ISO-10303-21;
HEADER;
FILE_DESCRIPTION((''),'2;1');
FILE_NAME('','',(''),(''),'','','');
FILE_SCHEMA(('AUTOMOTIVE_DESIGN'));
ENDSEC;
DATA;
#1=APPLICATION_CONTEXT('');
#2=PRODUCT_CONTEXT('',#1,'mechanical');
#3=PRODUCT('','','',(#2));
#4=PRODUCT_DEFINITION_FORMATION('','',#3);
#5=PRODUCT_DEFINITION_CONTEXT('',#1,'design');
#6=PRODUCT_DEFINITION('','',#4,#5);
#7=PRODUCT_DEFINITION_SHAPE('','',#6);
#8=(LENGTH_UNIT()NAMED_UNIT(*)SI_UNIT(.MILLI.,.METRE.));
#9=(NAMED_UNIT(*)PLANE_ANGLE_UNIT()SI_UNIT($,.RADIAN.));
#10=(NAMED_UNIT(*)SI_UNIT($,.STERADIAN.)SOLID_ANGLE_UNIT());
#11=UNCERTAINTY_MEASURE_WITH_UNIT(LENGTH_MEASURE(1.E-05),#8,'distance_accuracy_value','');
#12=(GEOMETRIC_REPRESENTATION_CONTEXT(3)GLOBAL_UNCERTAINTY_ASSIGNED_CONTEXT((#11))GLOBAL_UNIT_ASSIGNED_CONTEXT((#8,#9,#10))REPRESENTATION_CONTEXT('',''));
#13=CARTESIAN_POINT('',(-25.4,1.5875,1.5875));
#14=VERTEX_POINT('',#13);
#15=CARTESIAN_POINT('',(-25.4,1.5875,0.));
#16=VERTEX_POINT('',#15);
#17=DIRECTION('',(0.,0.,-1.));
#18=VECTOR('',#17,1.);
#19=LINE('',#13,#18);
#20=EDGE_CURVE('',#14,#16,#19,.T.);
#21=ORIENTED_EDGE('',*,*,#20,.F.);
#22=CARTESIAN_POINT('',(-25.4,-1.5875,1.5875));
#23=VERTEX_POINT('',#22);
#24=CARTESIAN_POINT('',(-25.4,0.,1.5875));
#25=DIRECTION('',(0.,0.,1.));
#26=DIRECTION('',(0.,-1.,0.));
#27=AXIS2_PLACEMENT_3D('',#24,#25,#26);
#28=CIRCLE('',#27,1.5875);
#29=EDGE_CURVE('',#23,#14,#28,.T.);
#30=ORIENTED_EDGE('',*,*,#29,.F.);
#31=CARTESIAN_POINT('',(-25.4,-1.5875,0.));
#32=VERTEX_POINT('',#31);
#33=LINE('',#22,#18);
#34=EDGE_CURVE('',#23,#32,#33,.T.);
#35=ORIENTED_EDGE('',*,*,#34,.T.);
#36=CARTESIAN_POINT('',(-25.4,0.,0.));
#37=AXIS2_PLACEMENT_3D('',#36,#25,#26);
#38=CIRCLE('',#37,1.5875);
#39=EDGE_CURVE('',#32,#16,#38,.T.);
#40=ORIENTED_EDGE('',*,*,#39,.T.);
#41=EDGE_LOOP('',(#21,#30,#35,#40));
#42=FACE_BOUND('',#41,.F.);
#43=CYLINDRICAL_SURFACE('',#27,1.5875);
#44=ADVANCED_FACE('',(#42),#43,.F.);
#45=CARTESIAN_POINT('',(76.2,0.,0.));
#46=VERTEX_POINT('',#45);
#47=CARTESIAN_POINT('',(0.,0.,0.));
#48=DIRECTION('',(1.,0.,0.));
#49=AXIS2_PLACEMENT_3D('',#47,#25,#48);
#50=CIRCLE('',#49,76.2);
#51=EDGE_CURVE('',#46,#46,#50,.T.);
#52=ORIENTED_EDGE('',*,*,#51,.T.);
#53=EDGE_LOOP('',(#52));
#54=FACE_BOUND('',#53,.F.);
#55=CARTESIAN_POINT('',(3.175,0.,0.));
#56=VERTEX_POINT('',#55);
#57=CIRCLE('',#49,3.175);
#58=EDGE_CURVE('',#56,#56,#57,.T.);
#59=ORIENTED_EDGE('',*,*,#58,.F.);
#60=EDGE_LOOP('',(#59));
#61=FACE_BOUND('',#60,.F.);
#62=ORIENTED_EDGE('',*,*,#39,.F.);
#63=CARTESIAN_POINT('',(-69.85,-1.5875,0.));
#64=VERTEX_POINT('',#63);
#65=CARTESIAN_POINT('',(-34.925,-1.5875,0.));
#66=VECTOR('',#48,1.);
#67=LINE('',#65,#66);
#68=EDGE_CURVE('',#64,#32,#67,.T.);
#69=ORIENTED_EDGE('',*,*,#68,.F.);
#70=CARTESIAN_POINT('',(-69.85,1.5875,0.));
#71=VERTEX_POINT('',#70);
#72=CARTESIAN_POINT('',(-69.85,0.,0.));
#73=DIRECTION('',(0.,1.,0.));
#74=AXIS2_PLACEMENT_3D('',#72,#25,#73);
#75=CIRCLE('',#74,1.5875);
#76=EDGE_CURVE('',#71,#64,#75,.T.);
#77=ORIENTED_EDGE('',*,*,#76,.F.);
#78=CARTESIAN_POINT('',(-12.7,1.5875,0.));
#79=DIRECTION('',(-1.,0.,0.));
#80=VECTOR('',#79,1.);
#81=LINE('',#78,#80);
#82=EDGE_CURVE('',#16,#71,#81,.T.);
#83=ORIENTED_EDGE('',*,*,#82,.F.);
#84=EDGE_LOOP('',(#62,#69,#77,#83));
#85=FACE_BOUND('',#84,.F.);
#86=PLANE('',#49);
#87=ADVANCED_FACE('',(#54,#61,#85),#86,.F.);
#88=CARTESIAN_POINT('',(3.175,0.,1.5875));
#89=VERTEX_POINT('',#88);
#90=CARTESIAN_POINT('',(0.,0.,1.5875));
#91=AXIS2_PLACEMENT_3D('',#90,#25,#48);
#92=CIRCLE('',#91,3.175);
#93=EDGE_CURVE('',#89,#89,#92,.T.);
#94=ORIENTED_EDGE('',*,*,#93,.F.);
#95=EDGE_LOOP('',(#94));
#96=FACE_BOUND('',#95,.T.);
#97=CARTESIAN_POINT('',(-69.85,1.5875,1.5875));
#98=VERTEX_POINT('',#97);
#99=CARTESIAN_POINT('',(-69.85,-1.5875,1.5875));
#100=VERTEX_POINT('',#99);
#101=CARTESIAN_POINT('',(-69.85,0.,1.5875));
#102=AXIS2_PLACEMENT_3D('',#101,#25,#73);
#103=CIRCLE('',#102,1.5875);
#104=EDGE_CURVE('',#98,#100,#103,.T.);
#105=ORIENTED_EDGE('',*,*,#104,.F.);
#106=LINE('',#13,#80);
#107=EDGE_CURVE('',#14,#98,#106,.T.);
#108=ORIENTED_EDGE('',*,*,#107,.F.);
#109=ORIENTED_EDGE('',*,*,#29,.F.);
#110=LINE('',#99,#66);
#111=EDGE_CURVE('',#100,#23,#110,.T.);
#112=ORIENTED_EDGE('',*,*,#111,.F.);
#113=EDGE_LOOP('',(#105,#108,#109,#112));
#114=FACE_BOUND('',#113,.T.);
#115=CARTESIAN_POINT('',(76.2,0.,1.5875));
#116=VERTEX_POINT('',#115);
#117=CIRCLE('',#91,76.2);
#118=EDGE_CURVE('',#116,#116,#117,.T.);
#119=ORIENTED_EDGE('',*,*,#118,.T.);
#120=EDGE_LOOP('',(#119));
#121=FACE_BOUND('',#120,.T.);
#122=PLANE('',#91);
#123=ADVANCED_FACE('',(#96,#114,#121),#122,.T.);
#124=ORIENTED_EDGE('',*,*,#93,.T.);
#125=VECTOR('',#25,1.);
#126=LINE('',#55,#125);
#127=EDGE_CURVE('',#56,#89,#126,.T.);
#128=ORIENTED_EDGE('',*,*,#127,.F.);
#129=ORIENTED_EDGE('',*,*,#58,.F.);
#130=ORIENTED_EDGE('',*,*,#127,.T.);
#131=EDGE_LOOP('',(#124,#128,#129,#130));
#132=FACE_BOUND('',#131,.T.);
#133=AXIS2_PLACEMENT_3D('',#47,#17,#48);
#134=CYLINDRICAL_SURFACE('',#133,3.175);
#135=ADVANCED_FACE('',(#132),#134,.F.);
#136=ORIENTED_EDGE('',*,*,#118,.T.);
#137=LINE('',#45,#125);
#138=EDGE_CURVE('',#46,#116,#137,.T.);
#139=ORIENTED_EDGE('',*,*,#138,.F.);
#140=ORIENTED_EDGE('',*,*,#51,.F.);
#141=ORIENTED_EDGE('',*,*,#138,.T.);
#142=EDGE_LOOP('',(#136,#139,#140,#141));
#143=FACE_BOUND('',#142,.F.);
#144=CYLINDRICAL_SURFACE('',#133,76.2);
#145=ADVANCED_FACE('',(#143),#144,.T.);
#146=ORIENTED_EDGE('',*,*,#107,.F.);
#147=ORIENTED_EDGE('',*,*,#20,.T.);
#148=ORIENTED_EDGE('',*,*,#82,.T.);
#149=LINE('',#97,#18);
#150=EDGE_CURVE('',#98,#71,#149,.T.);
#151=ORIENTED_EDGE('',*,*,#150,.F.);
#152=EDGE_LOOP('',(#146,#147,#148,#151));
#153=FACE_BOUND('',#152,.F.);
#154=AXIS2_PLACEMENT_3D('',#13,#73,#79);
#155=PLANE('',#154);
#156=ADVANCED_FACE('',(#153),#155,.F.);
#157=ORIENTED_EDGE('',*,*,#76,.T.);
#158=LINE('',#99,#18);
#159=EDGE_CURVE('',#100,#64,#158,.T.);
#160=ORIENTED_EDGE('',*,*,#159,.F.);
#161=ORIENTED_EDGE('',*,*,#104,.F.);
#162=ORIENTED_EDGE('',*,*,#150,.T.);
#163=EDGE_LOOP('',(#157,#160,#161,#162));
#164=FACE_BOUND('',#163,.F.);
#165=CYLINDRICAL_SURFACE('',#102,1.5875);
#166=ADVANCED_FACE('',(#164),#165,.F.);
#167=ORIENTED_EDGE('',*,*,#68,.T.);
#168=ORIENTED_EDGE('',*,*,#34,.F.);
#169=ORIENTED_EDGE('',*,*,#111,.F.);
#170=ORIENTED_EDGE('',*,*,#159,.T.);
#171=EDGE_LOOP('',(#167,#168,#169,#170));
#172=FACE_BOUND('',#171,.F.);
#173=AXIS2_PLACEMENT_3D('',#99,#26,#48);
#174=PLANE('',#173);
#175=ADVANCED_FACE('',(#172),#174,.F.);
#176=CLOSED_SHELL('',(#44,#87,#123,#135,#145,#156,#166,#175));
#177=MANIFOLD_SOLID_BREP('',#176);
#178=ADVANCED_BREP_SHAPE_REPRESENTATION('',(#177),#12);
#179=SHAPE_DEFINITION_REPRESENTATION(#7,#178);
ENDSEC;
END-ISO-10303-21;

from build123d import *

# Parameters (mm, degrees)
F0_R     = 76.2
F0_R_2   = 3.175
F1_DEPTH = 1.5875
F3_DEPTH = 25.4


with BuildPart() as f1:
    # F0 (on Top) → F1 (new body)
    with BuildSketch(Plane.XY):
        Circle(F0_R)
        Circle(F0_R_2, mode=Mode.SUBTRACT)
    extrude(amount=F1_DEPTH)

    # F2 (on face) → F3 (cut)
    with BuildSketch(Plane.XY.offset(1.5875)):
        with BuildLine():
            Line((-25.4, 1.5875), (-69.85, 1.5875))
            ThreePointArc((-69.85, 1.5875), (-71.4375, 0), (-69.85, -1.5875))
            Line((-69.85, -1.5875), (-25.4, -1.5875))
            ThreePointArc((-25.4, -1.5875), (-23.8125, 0), (-25.4, 1.5875))
        make_face()
    extrude(amount=-F3_DEPTH, mode=Mode.SUBTRACT)


solid = f1.part
